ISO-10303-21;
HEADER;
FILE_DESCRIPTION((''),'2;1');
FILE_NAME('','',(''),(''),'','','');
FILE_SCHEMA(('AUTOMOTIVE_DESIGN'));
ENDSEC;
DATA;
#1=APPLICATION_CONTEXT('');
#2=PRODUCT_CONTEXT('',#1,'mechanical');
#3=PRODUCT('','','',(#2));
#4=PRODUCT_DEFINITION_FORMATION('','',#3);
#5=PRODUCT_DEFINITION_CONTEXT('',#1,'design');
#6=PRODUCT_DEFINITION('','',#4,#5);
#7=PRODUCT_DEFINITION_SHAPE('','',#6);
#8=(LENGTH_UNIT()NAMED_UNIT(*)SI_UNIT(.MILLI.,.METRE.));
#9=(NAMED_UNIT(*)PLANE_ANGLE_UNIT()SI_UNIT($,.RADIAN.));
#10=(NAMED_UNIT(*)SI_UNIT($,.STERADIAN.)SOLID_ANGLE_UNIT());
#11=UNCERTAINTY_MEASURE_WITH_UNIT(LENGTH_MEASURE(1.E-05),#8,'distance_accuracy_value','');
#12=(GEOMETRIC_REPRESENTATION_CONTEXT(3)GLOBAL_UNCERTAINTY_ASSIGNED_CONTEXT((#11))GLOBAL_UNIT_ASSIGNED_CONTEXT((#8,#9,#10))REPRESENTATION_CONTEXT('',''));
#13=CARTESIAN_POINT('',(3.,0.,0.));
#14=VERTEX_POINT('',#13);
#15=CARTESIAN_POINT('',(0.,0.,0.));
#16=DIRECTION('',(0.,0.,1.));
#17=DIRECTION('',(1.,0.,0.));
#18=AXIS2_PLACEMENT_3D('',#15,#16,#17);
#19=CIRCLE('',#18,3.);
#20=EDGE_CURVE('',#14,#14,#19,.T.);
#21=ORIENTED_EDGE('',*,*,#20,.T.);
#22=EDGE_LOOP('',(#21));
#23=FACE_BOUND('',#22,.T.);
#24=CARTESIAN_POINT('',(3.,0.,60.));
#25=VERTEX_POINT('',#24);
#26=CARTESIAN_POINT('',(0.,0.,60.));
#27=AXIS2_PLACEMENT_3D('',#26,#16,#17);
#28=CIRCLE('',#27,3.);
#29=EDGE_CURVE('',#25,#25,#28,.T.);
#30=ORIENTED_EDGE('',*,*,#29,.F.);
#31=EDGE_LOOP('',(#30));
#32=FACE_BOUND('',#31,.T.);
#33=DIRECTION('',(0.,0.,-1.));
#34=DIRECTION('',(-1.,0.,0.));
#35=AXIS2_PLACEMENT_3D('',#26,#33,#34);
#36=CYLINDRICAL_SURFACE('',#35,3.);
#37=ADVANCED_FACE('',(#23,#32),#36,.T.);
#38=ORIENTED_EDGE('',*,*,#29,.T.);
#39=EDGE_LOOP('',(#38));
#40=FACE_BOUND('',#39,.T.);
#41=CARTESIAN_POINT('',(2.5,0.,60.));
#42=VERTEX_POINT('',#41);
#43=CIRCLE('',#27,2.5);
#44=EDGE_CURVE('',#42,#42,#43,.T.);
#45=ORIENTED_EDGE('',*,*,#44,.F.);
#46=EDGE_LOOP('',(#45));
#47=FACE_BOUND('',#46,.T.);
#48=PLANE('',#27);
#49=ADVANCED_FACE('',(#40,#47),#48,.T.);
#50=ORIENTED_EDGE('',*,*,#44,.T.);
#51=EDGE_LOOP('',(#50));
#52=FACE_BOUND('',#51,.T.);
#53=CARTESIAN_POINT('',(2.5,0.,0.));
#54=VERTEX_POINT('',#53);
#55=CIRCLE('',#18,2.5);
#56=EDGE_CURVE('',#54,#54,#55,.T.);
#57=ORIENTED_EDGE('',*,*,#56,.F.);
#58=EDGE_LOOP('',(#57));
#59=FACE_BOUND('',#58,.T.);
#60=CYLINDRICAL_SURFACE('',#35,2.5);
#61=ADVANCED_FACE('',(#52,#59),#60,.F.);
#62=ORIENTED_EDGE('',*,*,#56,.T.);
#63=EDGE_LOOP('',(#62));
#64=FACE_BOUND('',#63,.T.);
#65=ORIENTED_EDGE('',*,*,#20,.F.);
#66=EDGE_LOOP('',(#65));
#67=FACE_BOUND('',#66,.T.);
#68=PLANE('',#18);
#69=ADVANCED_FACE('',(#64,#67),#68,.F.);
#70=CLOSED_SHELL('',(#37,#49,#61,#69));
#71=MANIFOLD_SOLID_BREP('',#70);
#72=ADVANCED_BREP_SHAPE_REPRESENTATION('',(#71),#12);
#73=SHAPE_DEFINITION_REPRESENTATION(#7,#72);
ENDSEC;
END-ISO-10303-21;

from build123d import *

# Parameters (mm, degrees)
SKETCH1_R           = 3
SKETCH1_R_2         = 2.5
BOSS_EXTRUDE1_DEPTH = 60


with BuildPart() as part:
    # Sketch1 → Boss-Extrude1 (new body)
    with BuildSketch(Plane.XY):
        Circle(SKETCH1_R)
        Circle(SKETCH1_R_2, mode=Mode.SUBTRACT)
    extrude(amount=BOSS_EXTRUDE1_DEPTH)


solid = part.part
